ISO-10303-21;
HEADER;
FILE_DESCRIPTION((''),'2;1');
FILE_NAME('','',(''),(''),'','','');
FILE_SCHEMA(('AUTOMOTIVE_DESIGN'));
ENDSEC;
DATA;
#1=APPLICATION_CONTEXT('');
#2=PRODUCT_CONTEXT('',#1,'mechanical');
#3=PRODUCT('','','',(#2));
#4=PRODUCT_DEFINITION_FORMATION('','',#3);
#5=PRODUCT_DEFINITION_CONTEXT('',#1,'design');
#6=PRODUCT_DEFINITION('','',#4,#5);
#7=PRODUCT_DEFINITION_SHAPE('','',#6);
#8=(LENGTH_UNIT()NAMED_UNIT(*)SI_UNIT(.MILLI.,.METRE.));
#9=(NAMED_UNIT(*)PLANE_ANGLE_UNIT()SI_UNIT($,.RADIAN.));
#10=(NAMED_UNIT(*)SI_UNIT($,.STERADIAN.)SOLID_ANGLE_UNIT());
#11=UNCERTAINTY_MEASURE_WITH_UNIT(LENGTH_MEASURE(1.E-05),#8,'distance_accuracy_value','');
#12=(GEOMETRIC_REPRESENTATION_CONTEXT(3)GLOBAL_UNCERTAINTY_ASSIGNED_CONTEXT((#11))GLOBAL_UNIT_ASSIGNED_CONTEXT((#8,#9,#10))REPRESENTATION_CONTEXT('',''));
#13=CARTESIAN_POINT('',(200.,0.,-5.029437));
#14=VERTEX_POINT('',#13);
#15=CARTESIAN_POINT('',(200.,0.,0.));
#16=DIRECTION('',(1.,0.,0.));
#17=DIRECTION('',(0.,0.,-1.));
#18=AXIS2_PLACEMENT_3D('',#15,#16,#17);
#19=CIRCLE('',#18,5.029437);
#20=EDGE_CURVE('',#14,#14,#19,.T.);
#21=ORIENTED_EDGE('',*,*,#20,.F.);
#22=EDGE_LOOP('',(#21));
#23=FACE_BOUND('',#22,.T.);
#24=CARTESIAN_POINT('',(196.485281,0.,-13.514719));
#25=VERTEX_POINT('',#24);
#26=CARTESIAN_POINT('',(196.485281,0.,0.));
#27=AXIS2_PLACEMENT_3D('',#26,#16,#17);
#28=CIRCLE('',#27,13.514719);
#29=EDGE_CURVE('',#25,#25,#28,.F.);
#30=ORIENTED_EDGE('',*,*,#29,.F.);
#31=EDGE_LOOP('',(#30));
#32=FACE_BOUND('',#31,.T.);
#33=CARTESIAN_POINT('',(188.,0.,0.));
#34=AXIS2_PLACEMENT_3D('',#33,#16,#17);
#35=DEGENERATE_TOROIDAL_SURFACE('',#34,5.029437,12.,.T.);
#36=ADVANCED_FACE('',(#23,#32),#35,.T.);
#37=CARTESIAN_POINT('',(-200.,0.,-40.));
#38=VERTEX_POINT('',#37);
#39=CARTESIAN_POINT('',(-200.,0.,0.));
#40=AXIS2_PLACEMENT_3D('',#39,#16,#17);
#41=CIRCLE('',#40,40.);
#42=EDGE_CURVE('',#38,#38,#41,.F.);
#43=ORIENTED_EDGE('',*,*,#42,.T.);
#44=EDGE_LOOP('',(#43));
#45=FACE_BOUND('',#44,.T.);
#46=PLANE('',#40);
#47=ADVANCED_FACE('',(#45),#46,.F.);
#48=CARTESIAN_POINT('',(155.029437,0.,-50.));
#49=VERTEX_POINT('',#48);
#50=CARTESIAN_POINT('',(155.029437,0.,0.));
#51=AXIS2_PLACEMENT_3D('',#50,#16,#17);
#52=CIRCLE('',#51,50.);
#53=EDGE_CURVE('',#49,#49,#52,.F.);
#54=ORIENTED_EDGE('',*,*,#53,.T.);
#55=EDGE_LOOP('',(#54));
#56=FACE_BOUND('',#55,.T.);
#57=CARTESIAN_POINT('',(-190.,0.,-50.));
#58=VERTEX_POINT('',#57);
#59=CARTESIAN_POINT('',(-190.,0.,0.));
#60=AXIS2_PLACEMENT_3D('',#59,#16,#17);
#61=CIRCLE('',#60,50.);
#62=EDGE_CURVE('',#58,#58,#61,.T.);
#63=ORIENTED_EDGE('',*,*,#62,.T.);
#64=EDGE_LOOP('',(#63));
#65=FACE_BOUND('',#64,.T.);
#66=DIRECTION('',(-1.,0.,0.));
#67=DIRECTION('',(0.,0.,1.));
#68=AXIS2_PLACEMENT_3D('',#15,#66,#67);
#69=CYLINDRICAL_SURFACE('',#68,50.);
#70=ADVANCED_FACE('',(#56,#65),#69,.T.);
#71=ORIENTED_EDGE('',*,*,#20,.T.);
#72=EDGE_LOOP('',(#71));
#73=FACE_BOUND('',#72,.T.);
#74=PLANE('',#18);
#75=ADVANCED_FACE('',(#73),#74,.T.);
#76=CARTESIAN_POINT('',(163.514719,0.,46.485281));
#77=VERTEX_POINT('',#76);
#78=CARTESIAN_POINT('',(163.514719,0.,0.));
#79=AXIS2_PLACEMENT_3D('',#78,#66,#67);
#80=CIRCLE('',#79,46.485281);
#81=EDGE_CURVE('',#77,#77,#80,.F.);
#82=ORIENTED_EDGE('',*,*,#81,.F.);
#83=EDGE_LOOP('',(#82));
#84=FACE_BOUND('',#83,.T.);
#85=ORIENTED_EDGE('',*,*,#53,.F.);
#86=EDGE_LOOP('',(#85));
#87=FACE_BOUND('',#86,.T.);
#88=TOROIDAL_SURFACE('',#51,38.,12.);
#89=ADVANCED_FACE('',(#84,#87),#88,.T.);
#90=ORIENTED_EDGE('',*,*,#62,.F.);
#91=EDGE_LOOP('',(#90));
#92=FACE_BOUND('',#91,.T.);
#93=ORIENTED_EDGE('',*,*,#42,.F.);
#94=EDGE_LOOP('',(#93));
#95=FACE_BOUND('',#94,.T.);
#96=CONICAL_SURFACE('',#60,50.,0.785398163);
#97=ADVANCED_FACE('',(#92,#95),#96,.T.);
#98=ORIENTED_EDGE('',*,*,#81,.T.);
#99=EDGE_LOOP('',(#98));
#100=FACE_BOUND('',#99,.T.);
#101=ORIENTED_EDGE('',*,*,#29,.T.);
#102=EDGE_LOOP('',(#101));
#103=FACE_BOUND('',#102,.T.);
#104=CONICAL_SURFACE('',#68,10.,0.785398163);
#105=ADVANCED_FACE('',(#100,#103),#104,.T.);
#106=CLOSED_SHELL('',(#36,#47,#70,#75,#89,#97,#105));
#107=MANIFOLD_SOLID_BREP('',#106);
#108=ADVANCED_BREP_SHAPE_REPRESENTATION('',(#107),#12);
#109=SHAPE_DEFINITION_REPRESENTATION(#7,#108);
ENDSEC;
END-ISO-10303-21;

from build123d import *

# Parameters (mm, degrees)
SKETCH1_R           = 50
BOSS_EXTRUDE1_DEPTH = 200
CHAMFER1_SIZE       = 40
FILLET1_R           = 12
FILLET2_R           = 12
CHAMFER2_SIZE       = 10


with BuildPart() as part:
    # Sketch1 → Boss-Extrude1 (new body, symmetric)
    with BuildSketch(Plane(origin=(0, 0, 0), x_dir=(0, 0, -1), z_dir=(1, 0, 0))):
        Circle(SKETCH1_R)
    extrude(amount=BOSS_EXTRUDE1_DEPTH, both=True)

    # Chamfer1
    chamfer1_edges = [part.edges().sort_by_distance(p)[0] for p in [
        (200, 0, 50),
    ]]
    chamfer(chamfer1_edges, length=CHAMFER1_SIZE)

    # Fillet1
    fillet1_edges = [part.edges().sort_by_distance(p)[0] for p in [
        (200, 0, 10),
    ]]
    fillet(fillet1_edges, radius=FILLET1_R)

    # Fillet2
    fillet2_edges = [part.edges().sort_by_distance(p)[0] for p in [
        (160, 0, 50),
    ]]
    fillet(fillet2_edges, radius=FILLET2_R)

    # Chamfer2
    chamfer2_edges = [part.edges().sort_by_distance(p)[0] for p in [
        (-200, 0, 50),
    ]]
    chamfer(chamfer2_edges, length=CHAMFER2_SIZE)


solid = part.part
